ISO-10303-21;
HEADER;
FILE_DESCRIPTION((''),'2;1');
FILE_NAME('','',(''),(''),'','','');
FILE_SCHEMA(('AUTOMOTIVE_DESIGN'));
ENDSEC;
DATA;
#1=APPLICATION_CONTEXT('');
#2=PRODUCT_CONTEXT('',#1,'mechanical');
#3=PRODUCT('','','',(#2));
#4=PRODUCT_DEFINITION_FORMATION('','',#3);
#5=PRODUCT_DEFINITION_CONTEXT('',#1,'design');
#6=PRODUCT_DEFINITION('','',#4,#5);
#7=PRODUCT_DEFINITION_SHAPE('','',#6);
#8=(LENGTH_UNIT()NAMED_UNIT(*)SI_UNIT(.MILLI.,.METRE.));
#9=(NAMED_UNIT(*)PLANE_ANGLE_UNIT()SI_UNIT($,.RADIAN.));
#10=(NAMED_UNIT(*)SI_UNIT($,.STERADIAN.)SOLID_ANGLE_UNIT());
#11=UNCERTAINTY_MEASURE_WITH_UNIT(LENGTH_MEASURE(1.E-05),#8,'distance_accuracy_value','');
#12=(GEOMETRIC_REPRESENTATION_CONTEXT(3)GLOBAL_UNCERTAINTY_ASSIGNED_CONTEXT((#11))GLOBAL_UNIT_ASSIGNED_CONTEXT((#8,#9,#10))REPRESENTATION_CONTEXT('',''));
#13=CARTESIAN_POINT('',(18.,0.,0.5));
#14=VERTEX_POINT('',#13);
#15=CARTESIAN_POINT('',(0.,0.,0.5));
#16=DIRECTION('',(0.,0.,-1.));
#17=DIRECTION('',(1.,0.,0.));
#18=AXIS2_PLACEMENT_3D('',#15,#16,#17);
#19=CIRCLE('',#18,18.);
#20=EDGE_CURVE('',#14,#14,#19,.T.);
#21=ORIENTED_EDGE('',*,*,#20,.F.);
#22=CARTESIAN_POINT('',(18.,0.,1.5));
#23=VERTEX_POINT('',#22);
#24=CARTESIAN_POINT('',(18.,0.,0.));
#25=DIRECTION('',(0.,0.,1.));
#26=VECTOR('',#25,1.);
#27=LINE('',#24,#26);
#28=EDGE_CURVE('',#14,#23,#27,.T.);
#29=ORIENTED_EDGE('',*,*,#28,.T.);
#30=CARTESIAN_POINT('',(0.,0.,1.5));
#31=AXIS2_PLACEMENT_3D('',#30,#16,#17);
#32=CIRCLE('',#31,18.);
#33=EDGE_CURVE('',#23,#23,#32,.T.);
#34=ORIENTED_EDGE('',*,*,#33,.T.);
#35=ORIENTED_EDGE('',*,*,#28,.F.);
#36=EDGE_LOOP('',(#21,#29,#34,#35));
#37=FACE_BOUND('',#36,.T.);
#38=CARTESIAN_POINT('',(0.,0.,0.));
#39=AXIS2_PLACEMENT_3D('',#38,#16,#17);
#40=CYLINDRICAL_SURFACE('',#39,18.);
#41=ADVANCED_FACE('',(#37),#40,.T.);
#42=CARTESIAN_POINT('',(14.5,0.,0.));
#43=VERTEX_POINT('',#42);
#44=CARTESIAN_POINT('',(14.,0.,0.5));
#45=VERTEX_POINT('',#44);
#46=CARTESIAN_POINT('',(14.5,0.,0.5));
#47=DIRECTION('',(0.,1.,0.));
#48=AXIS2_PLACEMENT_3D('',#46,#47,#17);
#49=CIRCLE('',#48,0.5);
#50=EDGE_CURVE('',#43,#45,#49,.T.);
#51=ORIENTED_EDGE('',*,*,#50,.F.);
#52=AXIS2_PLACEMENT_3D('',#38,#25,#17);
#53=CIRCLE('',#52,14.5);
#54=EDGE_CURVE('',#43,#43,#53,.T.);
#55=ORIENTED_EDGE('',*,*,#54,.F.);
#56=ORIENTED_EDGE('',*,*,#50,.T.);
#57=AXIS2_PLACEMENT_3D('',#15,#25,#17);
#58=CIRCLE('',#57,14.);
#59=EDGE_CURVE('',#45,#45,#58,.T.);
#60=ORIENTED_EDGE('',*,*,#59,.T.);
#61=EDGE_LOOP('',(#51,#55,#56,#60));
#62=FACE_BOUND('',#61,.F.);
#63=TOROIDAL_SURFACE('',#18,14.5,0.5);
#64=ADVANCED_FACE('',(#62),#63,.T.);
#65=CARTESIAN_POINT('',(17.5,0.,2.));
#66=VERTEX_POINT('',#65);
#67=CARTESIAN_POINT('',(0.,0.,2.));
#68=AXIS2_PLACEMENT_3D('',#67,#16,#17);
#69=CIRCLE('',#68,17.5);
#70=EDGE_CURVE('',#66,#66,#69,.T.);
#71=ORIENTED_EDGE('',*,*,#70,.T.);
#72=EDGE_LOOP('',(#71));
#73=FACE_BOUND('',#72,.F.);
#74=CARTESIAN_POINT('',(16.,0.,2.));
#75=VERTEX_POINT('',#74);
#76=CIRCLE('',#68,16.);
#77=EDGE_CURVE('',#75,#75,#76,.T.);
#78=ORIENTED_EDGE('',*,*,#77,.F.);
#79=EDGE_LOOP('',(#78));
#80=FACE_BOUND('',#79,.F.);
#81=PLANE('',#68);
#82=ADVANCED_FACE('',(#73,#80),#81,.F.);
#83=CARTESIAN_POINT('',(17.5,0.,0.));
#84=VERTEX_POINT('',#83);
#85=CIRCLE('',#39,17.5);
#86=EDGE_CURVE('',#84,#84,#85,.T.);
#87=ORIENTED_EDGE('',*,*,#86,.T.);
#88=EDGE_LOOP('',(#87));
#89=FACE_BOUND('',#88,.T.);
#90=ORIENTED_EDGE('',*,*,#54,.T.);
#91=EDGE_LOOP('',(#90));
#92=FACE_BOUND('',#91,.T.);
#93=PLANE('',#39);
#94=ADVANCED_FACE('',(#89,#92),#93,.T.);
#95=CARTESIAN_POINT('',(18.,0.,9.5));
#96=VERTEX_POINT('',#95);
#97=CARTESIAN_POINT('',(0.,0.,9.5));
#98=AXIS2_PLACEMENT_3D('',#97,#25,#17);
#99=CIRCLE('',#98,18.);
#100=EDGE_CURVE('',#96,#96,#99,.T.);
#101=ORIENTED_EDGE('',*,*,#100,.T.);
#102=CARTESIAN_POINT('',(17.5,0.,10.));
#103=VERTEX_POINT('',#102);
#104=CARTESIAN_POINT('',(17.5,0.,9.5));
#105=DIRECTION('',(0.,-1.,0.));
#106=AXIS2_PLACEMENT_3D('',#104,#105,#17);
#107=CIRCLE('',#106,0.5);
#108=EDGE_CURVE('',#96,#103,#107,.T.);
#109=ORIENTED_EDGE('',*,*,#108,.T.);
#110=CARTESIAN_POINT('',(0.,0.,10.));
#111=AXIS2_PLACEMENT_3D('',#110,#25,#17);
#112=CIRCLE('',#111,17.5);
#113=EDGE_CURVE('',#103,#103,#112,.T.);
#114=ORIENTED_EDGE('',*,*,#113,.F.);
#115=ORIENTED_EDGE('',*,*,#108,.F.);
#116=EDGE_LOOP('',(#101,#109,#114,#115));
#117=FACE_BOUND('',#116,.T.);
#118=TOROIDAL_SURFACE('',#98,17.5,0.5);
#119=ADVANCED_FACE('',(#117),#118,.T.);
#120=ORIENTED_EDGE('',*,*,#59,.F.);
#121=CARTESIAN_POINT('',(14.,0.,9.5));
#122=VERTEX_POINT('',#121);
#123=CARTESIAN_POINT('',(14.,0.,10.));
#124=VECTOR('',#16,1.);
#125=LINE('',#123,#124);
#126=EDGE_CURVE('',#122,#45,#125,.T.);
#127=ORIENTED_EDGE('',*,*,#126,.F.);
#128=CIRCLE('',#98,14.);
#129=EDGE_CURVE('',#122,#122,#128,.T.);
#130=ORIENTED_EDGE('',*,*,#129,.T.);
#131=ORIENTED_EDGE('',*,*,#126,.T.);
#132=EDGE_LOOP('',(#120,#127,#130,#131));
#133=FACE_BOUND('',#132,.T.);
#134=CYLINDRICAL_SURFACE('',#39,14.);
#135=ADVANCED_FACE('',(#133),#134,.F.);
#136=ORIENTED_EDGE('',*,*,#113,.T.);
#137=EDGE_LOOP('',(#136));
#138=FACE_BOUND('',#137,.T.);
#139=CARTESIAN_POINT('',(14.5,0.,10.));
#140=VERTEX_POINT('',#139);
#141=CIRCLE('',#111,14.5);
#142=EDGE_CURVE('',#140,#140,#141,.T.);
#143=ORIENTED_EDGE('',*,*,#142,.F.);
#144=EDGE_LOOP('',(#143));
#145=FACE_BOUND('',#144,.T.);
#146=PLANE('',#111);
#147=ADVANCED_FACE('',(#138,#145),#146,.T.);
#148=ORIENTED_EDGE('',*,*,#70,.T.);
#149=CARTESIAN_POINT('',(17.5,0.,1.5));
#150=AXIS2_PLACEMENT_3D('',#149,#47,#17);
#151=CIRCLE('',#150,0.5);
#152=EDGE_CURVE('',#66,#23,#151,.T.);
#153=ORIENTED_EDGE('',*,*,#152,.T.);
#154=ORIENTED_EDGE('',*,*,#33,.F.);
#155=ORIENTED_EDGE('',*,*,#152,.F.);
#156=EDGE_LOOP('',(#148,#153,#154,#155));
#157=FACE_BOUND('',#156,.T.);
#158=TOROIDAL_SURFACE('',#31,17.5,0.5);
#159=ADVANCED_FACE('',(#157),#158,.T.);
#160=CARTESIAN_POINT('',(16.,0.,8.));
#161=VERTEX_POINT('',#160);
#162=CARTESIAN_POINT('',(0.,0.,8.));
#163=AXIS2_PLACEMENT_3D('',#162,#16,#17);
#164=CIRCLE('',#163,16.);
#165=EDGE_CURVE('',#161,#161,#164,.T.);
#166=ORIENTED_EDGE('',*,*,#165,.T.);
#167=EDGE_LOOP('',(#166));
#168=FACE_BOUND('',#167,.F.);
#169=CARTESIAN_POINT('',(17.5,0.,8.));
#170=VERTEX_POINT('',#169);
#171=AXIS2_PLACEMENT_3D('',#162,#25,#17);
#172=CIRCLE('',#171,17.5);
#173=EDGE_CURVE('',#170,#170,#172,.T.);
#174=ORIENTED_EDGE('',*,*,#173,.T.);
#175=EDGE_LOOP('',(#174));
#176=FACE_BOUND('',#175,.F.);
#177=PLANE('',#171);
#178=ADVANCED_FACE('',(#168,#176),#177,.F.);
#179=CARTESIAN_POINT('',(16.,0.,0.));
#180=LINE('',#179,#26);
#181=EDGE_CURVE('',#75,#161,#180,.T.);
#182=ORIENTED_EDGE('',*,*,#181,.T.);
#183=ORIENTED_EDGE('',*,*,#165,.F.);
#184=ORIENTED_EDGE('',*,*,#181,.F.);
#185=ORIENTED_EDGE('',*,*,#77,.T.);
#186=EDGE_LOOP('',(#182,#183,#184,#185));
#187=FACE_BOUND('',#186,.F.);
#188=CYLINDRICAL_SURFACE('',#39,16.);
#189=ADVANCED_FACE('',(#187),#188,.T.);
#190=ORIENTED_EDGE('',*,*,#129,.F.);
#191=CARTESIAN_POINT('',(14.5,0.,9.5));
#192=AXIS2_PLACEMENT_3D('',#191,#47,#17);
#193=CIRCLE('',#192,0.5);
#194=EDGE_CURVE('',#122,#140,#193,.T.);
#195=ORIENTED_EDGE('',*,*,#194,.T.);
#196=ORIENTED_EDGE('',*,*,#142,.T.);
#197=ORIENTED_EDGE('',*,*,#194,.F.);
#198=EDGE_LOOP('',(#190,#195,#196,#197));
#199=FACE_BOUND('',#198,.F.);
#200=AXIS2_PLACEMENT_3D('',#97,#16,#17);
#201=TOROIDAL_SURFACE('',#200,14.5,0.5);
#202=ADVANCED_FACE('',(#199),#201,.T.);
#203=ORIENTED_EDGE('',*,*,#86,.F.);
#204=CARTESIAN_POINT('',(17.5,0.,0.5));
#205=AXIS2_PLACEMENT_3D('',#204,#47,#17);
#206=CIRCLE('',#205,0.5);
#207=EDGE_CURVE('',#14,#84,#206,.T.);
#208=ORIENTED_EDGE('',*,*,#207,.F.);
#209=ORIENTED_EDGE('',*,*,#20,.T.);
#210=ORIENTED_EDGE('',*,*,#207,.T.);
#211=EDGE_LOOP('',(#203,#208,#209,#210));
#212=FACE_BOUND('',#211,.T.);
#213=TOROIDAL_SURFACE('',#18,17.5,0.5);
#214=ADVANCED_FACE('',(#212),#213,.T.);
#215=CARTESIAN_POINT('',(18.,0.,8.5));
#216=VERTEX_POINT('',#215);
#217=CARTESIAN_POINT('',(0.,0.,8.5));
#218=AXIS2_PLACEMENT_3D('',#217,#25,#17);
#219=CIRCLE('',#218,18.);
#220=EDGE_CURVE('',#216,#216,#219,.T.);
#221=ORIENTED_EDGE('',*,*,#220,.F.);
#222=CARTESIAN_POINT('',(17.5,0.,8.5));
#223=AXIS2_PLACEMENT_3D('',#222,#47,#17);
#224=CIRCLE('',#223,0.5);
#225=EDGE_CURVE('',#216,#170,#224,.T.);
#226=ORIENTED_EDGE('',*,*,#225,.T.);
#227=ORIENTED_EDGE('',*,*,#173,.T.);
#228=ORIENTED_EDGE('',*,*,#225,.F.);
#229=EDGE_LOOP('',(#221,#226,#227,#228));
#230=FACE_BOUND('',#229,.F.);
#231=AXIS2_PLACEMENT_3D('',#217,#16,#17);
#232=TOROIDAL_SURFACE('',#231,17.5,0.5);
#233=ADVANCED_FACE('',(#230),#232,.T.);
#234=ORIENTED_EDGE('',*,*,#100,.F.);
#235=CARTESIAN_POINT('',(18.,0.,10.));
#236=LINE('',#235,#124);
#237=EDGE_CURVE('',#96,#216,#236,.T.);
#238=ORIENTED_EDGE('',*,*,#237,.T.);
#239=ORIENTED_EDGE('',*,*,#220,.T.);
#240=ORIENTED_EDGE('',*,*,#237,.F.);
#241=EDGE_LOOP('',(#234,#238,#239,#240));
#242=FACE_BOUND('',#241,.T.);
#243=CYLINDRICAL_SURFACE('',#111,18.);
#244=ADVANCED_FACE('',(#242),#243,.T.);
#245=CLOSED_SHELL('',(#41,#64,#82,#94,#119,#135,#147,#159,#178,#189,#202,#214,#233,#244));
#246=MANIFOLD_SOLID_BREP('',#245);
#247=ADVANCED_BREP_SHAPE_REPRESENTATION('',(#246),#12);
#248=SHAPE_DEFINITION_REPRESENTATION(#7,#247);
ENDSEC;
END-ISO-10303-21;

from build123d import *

# Parameters (mm, degrees)
F0_R     = 16
F0_R_2   = 14
F1_DEPTH = 10
F2_R     = 18
F2_R_2   = 16
F3_DEPTH = 2
F4_R     = 18
F4_R_2   = 14
F5_DEPTH = 2
F6_R     = 0.5


with BuildPart() as f1:
    # F0 (on Top) → F1 (new body)
    with BuildSketch(Plane.XY):
        Circle(F0_R)
        Circle(F0_R_2, mode=Mode.SUBTRACT)
    extrude(amount=F1_DEPTH)

    # F2 (on face) → F3 (join)
    with BuildSketch(Plane(origin=(0, 0, 0), x_dir=(1, 0, 0), z_dir=(0, 0, -1))):
        Circle(F2_R)
        Circle(F2_R_2, mode=Mode.SUBTRACT)
    extrude(amount=-F3_DEPTH)

    # F4 (on face) → F5 (join)
    with BuildSketch(Plane.XY.offset(10)):
        Circle(F4_R)
        Circle(F4_R_2, mode=Mode.SUBTRACT)
    extrude(amount=-F5_DEPTH)

    # F6
    f6_edges = [f1.edges().sort_by_distance(p)[0] for p in [
        (-18, 0, 10),
        (-18, 0, 0),
        (-18, 0, 8),
        (-18, 0, 2),
        (-14, 0, 0),
        (-14, 0, 10),
    ]]
    fillet(f6_edges, radius=F6_R)


solid = f1.part
